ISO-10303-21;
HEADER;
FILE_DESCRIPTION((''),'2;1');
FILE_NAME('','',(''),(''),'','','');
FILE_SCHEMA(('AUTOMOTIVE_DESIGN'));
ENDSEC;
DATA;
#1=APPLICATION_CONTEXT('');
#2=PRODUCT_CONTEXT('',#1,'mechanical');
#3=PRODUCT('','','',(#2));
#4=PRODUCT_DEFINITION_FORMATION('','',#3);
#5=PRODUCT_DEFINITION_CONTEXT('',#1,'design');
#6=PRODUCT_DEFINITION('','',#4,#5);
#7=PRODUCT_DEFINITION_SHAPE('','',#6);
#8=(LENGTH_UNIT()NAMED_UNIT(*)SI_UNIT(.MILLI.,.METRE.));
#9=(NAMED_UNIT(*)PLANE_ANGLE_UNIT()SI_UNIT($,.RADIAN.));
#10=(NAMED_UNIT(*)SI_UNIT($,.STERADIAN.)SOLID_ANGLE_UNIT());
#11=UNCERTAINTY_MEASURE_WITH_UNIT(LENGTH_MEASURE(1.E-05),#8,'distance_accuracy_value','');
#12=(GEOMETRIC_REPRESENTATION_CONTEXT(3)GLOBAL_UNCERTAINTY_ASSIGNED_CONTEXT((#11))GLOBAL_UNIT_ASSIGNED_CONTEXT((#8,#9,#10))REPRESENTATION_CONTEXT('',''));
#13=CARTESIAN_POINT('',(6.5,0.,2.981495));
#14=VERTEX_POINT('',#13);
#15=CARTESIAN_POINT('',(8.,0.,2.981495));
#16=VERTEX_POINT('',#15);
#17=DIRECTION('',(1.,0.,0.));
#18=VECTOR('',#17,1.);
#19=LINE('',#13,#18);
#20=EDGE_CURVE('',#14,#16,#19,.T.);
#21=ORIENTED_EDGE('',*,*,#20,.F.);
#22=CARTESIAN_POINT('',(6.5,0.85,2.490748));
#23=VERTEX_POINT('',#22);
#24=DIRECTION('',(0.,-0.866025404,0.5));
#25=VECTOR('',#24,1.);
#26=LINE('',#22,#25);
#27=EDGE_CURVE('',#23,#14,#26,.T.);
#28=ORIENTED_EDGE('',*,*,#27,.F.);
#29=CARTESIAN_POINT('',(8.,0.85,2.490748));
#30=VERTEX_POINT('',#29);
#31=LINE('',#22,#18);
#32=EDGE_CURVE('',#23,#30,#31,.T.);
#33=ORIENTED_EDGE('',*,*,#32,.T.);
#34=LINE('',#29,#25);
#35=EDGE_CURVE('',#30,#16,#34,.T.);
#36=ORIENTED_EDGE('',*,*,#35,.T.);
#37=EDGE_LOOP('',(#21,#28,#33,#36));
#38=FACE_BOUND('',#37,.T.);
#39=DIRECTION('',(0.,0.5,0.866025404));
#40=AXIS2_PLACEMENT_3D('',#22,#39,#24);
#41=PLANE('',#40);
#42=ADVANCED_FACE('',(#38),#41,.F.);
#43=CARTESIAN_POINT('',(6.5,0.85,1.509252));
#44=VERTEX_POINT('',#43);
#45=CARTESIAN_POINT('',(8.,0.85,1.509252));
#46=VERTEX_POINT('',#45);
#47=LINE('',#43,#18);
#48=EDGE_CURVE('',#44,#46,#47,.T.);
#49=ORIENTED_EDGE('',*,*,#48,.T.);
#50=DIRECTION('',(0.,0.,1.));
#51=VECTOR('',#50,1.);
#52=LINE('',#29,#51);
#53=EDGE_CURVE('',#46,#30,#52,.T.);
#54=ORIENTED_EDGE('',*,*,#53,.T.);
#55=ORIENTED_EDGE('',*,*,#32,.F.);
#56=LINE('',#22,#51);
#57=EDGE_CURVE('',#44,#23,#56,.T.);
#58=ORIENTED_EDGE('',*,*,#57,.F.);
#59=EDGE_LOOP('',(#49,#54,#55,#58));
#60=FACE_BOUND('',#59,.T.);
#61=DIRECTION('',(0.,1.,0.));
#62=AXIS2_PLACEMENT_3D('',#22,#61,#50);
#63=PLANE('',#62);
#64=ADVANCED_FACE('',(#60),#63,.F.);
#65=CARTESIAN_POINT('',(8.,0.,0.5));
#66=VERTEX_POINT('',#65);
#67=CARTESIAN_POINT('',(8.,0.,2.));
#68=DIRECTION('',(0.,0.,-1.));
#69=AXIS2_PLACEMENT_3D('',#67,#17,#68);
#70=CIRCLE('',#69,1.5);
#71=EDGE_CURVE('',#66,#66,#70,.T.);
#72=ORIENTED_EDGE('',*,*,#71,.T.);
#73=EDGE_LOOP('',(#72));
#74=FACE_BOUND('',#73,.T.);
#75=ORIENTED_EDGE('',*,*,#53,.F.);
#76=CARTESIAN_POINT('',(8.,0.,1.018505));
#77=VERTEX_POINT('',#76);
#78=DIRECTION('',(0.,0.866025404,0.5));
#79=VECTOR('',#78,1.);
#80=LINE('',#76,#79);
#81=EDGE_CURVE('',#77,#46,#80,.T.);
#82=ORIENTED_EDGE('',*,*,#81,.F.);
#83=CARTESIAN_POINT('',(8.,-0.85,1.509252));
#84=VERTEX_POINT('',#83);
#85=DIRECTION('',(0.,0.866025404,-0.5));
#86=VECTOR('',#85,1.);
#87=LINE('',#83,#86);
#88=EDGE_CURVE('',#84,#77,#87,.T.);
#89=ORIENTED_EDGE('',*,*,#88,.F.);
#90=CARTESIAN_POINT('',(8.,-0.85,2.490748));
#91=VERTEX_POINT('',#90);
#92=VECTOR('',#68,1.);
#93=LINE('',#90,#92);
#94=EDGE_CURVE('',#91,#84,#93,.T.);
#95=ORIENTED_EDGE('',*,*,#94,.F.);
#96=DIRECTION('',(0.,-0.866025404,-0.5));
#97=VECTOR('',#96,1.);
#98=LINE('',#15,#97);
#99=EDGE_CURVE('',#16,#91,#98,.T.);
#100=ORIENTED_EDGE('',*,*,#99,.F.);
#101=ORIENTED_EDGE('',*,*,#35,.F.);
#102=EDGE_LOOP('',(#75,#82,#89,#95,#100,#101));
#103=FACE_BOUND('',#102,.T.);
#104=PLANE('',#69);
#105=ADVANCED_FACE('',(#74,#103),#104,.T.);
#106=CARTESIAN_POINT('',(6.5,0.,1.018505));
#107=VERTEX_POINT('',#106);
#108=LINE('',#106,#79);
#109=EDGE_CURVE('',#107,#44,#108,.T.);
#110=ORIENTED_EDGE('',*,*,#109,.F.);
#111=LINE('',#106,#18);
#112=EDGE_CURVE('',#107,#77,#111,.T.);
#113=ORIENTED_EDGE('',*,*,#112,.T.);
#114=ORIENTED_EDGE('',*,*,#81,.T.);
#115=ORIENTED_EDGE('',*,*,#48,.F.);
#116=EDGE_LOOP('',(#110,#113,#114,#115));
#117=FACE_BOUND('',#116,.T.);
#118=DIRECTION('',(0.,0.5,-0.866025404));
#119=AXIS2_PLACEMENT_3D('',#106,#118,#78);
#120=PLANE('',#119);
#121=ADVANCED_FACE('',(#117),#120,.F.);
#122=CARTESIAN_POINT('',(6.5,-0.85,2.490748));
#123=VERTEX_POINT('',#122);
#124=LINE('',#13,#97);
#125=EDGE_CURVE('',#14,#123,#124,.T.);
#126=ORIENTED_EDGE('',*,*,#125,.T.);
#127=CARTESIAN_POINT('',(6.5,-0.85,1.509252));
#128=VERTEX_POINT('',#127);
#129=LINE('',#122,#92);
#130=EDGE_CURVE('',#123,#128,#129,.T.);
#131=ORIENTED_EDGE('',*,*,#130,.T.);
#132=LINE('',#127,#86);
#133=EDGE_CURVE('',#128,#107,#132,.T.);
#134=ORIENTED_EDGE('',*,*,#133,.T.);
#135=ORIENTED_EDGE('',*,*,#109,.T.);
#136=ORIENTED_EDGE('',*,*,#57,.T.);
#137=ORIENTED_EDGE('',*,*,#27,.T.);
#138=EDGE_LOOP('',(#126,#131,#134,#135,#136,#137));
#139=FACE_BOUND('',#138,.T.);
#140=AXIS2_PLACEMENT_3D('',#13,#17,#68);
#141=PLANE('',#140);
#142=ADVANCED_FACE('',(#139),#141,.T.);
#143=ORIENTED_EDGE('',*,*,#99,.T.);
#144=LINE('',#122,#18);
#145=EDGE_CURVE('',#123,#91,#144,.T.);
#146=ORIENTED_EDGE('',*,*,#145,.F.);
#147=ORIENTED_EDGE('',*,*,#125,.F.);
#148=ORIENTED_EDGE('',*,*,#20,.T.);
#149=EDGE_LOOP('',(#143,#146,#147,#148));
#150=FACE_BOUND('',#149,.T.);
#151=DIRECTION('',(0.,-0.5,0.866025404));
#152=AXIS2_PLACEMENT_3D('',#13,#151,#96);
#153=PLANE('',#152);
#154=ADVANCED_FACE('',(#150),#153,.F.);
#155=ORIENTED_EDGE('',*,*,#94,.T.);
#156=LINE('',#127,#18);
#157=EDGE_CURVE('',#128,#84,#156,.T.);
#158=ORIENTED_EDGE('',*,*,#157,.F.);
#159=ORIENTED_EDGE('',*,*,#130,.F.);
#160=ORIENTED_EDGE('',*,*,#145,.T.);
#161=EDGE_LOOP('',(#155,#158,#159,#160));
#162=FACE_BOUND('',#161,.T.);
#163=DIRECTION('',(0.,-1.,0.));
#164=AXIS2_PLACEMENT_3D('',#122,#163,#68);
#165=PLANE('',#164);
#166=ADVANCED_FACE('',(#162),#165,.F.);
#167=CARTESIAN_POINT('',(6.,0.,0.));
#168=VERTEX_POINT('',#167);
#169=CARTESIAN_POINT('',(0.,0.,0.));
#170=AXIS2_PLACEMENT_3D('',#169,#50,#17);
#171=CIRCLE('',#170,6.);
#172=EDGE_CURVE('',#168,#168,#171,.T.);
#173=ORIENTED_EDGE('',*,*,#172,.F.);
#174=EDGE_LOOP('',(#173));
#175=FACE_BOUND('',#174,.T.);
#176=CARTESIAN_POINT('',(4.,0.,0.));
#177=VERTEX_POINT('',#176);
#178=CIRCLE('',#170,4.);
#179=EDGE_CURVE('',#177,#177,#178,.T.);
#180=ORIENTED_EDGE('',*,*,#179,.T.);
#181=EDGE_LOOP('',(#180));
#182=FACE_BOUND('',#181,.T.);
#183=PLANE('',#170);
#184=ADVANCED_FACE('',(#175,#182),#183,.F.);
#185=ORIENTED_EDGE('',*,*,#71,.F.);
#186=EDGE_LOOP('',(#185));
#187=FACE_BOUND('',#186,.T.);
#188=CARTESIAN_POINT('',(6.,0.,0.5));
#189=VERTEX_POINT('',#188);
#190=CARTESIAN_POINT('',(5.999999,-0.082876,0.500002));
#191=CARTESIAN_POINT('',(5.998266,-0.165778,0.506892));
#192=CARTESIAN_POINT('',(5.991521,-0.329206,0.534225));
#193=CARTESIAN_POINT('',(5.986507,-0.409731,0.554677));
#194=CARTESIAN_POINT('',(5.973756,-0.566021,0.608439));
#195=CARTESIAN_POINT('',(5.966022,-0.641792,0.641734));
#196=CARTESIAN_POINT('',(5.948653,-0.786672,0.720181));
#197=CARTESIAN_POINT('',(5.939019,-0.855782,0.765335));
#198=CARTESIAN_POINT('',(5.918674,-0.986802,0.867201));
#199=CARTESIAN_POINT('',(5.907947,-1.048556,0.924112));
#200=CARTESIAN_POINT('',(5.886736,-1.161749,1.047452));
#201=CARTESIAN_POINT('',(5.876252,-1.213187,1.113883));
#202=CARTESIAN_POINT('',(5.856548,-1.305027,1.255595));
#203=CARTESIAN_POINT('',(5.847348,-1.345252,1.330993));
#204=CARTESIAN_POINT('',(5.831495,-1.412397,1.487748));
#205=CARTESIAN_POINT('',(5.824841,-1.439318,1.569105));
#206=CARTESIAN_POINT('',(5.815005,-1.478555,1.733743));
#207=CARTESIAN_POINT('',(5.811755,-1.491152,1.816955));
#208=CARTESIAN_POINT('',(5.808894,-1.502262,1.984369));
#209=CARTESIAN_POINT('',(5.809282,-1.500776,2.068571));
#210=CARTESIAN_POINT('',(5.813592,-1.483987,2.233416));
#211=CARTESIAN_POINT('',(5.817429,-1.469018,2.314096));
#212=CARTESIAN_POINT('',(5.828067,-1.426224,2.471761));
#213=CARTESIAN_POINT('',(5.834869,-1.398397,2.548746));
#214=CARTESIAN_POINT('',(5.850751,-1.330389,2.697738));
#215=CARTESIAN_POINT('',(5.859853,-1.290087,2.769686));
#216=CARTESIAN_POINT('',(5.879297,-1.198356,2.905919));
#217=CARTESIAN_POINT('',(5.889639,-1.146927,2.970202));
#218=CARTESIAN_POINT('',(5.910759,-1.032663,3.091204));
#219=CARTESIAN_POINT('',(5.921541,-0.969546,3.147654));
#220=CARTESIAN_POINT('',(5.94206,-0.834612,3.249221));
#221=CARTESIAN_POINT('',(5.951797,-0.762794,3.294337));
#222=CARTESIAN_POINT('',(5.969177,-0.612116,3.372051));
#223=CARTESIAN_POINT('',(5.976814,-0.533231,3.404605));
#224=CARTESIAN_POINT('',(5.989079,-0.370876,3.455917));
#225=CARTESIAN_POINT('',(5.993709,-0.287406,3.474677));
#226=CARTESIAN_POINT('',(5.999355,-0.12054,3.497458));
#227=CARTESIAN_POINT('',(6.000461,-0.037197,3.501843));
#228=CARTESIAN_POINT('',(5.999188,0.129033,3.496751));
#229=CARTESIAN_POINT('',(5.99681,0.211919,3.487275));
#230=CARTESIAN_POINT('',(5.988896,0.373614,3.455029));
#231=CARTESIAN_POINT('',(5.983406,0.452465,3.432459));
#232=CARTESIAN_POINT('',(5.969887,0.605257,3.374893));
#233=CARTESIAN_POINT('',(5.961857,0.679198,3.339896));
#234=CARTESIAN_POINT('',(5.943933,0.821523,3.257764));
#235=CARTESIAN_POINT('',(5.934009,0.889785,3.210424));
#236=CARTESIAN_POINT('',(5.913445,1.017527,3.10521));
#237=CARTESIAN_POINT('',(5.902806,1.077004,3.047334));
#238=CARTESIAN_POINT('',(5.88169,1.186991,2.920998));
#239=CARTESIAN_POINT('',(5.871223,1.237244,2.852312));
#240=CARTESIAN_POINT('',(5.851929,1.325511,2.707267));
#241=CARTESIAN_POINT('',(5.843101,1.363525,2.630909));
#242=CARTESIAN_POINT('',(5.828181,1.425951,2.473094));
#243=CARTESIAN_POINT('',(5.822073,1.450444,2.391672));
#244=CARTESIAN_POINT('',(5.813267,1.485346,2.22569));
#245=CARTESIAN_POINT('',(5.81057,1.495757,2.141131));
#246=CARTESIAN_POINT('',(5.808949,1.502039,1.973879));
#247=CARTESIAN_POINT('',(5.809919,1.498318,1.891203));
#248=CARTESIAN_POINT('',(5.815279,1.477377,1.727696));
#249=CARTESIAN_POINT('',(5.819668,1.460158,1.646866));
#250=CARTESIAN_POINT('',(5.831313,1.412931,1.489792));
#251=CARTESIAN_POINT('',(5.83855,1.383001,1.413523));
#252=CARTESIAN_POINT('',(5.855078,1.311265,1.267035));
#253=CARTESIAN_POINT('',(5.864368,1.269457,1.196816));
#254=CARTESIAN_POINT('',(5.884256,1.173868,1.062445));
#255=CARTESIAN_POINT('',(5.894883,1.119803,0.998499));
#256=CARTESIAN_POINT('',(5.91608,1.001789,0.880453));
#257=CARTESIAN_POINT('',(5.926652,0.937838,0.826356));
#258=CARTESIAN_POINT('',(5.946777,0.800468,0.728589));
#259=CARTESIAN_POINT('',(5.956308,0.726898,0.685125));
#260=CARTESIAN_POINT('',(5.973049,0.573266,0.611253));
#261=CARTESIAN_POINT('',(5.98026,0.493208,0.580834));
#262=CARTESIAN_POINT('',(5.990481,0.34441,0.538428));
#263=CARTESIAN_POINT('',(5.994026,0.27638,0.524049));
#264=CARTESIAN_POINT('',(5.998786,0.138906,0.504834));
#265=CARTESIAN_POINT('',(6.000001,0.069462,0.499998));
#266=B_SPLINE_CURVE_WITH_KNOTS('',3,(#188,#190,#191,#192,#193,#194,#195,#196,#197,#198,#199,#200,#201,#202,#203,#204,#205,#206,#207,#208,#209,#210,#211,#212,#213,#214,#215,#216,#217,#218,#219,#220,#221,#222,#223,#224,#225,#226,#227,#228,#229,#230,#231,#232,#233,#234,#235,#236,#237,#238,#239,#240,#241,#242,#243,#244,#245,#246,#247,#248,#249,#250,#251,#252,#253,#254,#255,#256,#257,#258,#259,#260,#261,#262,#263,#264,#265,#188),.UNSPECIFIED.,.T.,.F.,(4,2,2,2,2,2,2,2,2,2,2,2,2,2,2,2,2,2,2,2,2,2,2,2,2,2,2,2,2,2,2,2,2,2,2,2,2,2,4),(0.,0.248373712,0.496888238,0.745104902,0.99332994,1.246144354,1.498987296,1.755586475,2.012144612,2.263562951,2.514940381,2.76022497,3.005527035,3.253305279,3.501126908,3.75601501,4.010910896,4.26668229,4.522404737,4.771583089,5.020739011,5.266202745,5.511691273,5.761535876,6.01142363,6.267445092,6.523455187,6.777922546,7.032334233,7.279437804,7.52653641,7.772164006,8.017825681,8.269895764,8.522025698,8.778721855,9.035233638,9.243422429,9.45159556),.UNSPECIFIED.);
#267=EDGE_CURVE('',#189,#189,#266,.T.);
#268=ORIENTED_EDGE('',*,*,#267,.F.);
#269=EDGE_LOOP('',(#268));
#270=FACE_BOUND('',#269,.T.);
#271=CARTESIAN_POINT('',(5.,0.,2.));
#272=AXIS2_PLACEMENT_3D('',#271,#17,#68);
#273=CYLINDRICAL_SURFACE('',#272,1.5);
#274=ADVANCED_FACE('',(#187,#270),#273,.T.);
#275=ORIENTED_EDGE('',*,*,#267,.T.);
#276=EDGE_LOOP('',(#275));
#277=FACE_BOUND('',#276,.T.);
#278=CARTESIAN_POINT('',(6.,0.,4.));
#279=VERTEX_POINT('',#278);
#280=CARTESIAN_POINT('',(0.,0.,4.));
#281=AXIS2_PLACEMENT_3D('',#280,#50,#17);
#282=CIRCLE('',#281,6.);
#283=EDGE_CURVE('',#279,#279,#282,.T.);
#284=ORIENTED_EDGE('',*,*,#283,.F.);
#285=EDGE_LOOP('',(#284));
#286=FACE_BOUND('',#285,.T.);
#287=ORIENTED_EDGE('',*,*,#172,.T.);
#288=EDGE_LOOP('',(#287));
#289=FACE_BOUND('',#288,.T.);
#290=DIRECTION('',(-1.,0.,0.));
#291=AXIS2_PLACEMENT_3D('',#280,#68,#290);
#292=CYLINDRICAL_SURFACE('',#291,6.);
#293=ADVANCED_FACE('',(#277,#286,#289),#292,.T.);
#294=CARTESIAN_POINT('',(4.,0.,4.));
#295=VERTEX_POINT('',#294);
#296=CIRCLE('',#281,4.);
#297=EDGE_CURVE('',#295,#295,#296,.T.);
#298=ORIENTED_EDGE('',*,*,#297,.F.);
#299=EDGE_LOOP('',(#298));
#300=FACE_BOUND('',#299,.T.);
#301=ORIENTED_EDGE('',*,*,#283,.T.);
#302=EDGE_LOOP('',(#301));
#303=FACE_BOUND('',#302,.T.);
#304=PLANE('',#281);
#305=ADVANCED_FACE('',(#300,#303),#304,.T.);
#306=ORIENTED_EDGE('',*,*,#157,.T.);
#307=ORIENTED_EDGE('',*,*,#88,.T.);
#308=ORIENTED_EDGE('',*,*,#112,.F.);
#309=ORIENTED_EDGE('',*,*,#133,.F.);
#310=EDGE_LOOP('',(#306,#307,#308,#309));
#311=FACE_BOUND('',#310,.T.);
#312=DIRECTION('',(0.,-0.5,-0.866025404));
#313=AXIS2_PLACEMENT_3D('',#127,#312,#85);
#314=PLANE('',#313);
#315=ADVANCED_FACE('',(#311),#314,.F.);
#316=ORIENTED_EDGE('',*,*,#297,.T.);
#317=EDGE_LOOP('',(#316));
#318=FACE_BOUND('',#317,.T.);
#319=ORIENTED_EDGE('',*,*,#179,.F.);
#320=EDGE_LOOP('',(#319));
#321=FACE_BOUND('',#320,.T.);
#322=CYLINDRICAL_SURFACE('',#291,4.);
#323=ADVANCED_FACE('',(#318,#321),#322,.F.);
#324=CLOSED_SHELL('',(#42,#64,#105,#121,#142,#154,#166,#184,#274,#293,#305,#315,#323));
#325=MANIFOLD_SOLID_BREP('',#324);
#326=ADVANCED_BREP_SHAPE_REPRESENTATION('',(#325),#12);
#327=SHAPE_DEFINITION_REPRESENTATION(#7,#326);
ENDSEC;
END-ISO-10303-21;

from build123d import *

# Parameters (mm, degrees)
SKETCH1_R                = 6
SKETCH1_R_2              = 4
BOSS_EXTRUDE1_DEPTH      = 4
BOSS_EXTRUDE2_DEPTH      = 2
BOSS_EXTRUDE2_DEPTH_BACK = 1
SKETCH2_R                = 1.5
CUT_EXTRUDE1_DEPTH       = 1.5


with BuildPart() as part:
    # Sketch1 → Boss-Extrude1 (new body)
    with BuildSketch(Plane.XY):
        Circle(SKETCH1_R)
        Circle(SKETCH1_R_2, mode=Mode.SUBTRACT)
    extrude(amount=BOSS_EXTRUDE1_DEPTH)

    # Sketch2 → Boss-Extrude2 (add, two sides: drawn at the far end of the back side and taken through both)
    with BuildSketch(Plane(origin=(6, 0, 0), x_dir=(0, 0, -1), z_dir=(1, 0, 0)).offset(-BOSS_EXTRUDE2_DEPTH_BACK)):
        with Locations((-2, 0)):
            Circle(SKETCH2_R)
    extrude(amount=BOSS_EXTRUDE2_DEPTH + BOSS_EXTRUDE2_DEPTH_BACK)

    # Sketch3 → Cut-Extrude1 (cut)
    with BuildSketch(Plane(origin=(8, 0, 0), x_dir=(0, 0, -1), z_dir=(1, 0, 0))):
        Polygon((-2.490747729, 0.85), (-1.509252271, 0.85), (-1.018504542, 0), (-1.509252271, -0.85), (-2.490747729, -0.85), (-2.981495458, 0), align=None)
    extrude(amount=-CUT_EXTRUDE1_DEPTH, mode=Mode.SUBTRACT)


solid = part.part
